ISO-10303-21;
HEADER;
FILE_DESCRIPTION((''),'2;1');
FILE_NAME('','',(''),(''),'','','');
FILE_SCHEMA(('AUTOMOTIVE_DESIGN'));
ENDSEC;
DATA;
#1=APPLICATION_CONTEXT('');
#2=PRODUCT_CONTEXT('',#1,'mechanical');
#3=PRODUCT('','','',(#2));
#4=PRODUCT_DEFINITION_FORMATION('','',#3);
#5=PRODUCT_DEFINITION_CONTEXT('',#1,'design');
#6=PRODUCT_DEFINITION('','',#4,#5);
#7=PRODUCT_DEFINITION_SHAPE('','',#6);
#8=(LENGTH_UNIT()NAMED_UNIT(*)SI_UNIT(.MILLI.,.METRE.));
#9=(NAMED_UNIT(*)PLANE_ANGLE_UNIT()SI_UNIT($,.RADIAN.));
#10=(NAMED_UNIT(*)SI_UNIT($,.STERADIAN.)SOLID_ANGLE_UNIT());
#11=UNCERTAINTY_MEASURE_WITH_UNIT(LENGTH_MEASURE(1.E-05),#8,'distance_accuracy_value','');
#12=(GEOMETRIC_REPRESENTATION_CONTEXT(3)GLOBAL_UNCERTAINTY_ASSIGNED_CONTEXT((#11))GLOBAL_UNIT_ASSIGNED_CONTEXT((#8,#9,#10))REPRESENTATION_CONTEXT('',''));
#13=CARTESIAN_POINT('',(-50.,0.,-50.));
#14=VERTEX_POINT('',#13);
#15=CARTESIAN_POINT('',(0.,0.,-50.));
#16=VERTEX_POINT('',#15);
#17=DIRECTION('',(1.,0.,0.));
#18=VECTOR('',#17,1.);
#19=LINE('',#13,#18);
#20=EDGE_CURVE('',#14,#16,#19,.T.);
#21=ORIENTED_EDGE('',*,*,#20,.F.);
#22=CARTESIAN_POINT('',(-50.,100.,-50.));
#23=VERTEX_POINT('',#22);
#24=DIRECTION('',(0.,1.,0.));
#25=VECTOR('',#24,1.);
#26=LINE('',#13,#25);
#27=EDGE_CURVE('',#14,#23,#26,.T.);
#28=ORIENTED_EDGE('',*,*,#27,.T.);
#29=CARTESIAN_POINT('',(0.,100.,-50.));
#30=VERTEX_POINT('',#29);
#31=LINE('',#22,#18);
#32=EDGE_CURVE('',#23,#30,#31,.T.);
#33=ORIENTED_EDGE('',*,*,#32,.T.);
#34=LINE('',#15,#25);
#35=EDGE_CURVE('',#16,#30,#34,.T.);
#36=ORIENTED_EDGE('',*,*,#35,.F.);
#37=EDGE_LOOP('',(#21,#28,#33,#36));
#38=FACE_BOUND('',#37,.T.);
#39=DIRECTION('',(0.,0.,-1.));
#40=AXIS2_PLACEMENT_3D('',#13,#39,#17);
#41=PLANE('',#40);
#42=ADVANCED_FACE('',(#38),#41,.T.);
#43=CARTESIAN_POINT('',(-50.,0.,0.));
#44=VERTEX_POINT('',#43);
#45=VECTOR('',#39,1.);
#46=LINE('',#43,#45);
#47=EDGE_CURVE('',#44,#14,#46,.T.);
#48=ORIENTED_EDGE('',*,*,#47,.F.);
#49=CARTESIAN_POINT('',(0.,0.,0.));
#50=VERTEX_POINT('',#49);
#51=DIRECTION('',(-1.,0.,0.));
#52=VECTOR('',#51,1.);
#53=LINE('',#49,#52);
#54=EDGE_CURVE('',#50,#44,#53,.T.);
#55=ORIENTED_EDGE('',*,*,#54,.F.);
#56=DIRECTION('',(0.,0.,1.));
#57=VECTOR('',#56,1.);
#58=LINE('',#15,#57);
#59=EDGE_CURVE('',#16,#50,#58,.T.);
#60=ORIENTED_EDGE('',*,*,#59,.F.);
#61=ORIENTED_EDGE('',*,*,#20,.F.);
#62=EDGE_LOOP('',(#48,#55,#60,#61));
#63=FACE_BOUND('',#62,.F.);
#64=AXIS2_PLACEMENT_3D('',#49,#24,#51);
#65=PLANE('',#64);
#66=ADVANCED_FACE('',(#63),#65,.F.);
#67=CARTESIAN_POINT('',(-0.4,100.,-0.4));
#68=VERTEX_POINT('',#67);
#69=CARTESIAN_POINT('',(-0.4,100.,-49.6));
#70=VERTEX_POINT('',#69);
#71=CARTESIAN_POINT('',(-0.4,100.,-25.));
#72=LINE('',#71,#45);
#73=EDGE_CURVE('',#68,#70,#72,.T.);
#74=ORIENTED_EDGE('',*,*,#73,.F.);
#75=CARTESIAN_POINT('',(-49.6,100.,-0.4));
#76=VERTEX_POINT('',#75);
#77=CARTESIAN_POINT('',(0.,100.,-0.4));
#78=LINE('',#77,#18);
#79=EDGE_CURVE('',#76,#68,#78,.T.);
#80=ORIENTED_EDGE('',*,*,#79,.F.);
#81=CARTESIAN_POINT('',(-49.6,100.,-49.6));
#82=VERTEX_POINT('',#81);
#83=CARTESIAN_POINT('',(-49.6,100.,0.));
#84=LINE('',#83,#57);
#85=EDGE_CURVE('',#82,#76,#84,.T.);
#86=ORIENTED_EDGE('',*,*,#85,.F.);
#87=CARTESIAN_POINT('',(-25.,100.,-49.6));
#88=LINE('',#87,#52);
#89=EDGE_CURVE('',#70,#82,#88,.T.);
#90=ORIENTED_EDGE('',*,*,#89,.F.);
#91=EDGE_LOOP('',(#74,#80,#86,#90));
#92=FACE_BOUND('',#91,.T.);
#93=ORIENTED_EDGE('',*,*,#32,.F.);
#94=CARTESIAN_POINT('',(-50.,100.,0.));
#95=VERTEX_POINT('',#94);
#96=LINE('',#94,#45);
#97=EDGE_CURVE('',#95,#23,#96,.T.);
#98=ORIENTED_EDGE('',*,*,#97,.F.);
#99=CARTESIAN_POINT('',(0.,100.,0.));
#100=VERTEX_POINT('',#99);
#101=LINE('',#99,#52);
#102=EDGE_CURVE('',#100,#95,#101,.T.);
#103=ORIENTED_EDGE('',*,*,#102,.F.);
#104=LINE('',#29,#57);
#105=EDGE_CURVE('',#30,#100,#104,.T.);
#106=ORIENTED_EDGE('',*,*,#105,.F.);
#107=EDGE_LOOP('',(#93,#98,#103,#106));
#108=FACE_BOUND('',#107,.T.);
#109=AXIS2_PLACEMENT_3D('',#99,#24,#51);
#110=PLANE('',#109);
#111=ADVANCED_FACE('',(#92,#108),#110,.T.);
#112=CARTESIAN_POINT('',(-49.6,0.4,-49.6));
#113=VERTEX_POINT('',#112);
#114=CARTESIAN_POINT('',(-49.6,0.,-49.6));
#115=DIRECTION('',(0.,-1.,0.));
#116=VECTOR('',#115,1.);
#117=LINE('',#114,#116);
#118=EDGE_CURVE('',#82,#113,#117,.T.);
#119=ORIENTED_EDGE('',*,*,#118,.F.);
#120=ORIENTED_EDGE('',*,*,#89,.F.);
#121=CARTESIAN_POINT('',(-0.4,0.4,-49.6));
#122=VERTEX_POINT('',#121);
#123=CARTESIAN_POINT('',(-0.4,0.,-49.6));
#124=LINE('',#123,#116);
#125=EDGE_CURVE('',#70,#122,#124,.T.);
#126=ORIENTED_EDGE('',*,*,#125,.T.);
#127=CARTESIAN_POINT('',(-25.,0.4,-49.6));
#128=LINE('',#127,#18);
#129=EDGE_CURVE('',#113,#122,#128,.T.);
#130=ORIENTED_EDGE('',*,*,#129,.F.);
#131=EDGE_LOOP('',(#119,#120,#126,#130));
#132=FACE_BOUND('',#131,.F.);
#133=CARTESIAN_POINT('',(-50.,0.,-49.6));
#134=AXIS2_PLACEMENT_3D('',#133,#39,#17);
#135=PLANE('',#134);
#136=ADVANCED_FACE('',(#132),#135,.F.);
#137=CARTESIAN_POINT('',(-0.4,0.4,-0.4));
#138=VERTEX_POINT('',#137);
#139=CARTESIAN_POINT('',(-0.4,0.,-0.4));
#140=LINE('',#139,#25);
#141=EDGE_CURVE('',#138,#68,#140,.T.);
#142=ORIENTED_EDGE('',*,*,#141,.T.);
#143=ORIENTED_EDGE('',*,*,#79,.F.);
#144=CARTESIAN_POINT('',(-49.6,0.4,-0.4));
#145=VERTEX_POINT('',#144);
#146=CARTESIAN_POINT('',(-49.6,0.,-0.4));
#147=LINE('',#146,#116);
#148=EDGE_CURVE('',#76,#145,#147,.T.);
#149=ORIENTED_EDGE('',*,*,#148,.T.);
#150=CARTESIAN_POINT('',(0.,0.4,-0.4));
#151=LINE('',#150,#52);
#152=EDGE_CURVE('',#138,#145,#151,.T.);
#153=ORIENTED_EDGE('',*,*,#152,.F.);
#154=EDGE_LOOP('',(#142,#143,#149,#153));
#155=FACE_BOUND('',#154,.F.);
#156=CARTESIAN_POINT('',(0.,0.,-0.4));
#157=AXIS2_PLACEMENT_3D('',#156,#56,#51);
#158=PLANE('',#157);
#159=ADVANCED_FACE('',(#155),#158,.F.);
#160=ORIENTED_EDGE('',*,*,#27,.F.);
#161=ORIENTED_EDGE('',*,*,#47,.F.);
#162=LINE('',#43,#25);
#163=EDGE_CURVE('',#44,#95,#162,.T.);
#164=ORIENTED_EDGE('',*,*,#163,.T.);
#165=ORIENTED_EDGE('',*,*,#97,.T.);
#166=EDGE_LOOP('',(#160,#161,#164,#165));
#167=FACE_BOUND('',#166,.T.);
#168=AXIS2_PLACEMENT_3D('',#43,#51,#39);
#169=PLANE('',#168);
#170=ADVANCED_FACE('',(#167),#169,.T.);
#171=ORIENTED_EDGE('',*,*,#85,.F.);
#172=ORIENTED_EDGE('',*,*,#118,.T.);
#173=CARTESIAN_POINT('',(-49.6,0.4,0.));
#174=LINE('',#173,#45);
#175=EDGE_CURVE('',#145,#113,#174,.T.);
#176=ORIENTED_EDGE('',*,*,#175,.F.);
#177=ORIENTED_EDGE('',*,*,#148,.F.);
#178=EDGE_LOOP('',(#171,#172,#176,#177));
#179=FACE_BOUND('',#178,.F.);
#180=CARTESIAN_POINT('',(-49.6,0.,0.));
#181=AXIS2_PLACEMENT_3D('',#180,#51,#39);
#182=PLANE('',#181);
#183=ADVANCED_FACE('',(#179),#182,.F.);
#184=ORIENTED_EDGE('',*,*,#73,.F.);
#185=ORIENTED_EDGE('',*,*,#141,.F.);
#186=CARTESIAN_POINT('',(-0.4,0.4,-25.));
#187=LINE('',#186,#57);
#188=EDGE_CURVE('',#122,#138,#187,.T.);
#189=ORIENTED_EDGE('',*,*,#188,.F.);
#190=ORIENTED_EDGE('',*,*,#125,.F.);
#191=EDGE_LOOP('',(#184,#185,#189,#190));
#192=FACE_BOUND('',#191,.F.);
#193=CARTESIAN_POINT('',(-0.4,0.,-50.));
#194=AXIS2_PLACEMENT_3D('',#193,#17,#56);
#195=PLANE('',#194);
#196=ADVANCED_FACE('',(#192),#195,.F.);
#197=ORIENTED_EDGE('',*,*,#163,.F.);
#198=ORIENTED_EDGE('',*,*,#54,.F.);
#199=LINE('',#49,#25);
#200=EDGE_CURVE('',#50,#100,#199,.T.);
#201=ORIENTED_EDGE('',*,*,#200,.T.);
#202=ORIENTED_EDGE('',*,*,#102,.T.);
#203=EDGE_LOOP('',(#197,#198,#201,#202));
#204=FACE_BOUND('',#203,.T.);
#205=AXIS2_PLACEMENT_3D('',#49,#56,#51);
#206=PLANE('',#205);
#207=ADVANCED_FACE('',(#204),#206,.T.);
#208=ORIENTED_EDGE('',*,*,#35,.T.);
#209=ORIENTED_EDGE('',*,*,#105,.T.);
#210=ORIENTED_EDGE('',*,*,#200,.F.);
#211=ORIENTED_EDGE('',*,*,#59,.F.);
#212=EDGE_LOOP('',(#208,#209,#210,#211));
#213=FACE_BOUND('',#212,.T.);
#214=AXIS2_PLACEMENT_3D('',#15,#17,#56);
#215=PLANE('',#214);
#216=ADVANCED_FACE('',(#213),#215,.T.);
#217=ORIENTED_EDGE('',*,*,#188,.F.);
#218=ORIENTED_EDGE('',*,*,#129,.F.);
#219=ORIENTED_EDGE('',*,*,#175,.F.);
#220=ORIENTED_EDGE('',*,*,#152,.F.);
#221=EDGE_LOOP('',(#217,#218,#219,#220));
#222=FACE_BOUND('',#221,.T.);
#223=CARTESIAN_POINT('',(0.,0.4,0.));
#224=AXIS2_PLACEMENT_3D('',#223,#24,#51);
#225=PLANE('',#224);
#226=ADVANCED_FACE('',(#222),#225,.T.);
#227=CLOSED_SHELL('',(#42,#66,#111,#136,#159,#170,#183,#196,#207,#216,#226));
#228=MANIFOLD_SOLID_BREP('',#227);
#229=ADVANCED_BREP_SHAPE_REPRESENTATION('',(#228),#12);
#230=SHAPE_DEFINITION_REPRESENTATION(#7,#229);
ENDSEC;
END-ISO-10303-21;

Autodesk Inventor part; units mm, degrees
ref_plane "YZ Plane" through (0, 0, 0) normal (1, 0, 0) x (0, 1, 0)
ref_plane "XZ Plane" through (0, 0, 0) normal (0, 1, 0) x (-1, 0, 0)
ref_plane "XY Plane" through (0, 0, 0) normal (0, 0, 1) x (1, 0, 0)
sketch "Эскиз1" plane through (0, 0, 0) normal (0, 1, 0) x (-1, 0, 0)
  line L0 (0, 0) -> (50, 0)
  line L1 (50, 0) -> (50, -50)
  line L2 (50, -50) -> (0, -50)
  line L3 (0, -50) -> (0, 0)
  dimension "d0" = 50
  dimension "d1" = 50
extrude "Выдавливание1" add sketch "Эскиз1" along normal blind 100
shell "Оболочка1" thickness 0.4 removed faces 1 at (-16.6667, 100, -16.6667)
properties part number "Дорожный знак"
